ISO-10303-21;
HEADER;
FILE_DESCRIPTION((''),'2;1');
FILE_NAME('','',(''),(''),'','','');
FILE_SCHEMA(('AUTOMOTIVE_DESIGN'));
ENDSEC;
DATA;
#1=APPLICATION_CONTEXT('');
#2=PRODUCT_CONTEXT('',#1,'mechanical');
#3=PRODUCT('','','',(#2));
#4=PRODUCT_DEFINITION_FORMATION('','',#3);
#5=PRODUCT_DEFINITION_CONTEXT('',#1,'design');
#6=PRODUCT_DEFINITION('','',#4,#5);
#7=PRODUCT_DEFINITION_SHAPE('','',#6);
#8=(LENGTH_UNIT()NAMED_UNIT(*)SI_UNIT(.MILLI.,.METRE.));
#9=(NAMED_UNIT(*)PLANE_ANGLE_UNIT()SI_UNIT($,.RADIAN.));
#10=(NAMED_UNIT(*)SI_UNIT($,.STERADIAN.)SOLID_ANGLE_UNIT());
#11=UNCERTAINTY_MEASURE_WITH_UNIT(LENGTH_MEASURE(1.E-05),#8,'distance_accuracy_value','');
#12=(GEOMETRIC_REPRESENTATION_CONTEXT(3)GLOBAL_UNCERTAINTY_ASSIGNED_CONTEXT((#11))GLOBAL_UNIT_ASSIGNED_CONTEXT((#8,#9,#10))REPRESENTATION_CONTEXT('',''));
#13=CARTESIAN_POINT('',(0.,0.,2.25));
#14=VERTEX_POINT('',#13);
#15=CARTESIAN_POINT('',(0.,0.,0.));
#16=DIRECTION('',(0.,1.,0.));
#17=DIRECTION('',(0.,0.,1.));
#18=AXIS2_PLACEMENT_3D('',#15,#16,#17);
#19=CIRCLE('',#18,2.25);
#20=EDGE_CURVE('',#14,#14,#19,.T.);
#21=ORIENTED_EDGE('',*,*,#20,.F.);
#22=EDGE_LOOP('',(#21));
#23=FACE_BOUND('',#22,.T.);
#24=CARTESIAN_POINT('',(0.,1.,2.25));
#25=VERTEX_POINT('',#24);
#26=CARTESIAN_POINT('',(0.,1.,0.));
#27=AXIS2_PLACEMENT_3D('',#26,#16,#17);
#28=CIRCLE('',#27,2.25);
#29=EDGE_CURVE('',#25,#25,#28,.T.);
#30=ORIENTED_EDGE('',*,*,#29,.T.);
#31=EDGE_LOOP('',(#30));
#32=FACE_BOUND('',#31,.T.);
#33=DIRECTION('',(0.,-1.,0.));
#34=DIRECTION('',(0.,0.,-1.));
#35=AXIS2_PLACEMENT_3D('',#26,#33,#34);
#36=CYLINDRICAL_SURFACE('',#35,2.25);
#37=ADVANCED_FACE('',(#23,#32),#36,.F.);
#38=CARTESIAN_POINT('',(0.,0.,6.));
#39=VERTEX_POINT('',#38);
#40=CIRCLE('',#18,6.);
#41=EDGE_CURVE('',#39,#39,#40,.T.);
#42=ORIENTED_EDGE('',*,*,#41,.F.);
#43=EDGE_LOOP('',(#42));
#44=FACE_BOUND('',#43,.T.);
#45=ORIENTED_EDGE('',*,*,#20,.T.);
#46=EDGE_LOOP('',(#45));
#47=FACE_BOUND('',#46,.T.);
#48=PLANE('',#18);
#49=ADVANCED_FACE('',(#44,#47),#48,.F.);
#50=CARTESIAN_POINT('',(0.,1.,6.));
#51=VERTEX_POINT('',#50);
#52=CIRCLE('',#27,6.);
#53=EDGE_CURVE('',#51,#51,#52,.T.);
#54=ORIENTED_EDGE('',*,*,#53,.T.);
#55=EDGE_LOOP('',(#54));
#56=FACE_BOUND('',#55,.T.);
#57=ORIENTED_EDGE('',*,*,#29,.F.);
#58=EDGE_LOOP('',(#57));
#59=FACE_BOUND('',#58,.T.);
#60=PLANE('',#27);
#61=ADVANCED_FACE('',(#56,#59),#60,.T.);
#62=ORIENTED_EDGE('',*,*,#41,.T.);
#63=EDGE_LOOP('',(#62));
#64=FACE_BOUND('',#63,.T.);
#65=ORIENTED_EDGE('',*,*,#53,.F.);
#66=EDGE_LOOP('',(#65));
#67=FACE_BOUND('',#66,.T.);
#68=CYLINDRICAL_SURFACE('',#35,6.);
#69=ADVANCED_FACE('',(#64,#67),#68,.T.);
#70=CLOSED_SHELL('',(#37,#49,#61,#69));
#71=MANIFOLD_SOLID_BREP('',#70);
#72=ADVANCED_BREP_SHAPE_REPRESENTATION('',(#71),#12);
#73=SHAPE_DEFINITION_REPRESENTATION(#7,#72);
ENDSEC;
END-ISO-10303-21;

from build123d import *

# Parameters (mm, degrees)
SKETCH_1_R      = 6
SKETCH_1_R_2    = 2.25
EXTRUDE_1_DEPTH = 1


with BuildPart() as part:
    # Эскиз1 → Бобышка-Вытянуть1 (new body)
    with BuildSketch(Plane(origin=(0, 0, 0), x_dir=(1, 0, 0), z_dir=(0, 1, 0))):
        Circle(SKETCH_1_R)
        Circle(SKETCH_1_R_2, mode=Mode.SUBTRACT)
    extrude(amount=EXTRUDE_1_DEPTH)


solid = part.part
